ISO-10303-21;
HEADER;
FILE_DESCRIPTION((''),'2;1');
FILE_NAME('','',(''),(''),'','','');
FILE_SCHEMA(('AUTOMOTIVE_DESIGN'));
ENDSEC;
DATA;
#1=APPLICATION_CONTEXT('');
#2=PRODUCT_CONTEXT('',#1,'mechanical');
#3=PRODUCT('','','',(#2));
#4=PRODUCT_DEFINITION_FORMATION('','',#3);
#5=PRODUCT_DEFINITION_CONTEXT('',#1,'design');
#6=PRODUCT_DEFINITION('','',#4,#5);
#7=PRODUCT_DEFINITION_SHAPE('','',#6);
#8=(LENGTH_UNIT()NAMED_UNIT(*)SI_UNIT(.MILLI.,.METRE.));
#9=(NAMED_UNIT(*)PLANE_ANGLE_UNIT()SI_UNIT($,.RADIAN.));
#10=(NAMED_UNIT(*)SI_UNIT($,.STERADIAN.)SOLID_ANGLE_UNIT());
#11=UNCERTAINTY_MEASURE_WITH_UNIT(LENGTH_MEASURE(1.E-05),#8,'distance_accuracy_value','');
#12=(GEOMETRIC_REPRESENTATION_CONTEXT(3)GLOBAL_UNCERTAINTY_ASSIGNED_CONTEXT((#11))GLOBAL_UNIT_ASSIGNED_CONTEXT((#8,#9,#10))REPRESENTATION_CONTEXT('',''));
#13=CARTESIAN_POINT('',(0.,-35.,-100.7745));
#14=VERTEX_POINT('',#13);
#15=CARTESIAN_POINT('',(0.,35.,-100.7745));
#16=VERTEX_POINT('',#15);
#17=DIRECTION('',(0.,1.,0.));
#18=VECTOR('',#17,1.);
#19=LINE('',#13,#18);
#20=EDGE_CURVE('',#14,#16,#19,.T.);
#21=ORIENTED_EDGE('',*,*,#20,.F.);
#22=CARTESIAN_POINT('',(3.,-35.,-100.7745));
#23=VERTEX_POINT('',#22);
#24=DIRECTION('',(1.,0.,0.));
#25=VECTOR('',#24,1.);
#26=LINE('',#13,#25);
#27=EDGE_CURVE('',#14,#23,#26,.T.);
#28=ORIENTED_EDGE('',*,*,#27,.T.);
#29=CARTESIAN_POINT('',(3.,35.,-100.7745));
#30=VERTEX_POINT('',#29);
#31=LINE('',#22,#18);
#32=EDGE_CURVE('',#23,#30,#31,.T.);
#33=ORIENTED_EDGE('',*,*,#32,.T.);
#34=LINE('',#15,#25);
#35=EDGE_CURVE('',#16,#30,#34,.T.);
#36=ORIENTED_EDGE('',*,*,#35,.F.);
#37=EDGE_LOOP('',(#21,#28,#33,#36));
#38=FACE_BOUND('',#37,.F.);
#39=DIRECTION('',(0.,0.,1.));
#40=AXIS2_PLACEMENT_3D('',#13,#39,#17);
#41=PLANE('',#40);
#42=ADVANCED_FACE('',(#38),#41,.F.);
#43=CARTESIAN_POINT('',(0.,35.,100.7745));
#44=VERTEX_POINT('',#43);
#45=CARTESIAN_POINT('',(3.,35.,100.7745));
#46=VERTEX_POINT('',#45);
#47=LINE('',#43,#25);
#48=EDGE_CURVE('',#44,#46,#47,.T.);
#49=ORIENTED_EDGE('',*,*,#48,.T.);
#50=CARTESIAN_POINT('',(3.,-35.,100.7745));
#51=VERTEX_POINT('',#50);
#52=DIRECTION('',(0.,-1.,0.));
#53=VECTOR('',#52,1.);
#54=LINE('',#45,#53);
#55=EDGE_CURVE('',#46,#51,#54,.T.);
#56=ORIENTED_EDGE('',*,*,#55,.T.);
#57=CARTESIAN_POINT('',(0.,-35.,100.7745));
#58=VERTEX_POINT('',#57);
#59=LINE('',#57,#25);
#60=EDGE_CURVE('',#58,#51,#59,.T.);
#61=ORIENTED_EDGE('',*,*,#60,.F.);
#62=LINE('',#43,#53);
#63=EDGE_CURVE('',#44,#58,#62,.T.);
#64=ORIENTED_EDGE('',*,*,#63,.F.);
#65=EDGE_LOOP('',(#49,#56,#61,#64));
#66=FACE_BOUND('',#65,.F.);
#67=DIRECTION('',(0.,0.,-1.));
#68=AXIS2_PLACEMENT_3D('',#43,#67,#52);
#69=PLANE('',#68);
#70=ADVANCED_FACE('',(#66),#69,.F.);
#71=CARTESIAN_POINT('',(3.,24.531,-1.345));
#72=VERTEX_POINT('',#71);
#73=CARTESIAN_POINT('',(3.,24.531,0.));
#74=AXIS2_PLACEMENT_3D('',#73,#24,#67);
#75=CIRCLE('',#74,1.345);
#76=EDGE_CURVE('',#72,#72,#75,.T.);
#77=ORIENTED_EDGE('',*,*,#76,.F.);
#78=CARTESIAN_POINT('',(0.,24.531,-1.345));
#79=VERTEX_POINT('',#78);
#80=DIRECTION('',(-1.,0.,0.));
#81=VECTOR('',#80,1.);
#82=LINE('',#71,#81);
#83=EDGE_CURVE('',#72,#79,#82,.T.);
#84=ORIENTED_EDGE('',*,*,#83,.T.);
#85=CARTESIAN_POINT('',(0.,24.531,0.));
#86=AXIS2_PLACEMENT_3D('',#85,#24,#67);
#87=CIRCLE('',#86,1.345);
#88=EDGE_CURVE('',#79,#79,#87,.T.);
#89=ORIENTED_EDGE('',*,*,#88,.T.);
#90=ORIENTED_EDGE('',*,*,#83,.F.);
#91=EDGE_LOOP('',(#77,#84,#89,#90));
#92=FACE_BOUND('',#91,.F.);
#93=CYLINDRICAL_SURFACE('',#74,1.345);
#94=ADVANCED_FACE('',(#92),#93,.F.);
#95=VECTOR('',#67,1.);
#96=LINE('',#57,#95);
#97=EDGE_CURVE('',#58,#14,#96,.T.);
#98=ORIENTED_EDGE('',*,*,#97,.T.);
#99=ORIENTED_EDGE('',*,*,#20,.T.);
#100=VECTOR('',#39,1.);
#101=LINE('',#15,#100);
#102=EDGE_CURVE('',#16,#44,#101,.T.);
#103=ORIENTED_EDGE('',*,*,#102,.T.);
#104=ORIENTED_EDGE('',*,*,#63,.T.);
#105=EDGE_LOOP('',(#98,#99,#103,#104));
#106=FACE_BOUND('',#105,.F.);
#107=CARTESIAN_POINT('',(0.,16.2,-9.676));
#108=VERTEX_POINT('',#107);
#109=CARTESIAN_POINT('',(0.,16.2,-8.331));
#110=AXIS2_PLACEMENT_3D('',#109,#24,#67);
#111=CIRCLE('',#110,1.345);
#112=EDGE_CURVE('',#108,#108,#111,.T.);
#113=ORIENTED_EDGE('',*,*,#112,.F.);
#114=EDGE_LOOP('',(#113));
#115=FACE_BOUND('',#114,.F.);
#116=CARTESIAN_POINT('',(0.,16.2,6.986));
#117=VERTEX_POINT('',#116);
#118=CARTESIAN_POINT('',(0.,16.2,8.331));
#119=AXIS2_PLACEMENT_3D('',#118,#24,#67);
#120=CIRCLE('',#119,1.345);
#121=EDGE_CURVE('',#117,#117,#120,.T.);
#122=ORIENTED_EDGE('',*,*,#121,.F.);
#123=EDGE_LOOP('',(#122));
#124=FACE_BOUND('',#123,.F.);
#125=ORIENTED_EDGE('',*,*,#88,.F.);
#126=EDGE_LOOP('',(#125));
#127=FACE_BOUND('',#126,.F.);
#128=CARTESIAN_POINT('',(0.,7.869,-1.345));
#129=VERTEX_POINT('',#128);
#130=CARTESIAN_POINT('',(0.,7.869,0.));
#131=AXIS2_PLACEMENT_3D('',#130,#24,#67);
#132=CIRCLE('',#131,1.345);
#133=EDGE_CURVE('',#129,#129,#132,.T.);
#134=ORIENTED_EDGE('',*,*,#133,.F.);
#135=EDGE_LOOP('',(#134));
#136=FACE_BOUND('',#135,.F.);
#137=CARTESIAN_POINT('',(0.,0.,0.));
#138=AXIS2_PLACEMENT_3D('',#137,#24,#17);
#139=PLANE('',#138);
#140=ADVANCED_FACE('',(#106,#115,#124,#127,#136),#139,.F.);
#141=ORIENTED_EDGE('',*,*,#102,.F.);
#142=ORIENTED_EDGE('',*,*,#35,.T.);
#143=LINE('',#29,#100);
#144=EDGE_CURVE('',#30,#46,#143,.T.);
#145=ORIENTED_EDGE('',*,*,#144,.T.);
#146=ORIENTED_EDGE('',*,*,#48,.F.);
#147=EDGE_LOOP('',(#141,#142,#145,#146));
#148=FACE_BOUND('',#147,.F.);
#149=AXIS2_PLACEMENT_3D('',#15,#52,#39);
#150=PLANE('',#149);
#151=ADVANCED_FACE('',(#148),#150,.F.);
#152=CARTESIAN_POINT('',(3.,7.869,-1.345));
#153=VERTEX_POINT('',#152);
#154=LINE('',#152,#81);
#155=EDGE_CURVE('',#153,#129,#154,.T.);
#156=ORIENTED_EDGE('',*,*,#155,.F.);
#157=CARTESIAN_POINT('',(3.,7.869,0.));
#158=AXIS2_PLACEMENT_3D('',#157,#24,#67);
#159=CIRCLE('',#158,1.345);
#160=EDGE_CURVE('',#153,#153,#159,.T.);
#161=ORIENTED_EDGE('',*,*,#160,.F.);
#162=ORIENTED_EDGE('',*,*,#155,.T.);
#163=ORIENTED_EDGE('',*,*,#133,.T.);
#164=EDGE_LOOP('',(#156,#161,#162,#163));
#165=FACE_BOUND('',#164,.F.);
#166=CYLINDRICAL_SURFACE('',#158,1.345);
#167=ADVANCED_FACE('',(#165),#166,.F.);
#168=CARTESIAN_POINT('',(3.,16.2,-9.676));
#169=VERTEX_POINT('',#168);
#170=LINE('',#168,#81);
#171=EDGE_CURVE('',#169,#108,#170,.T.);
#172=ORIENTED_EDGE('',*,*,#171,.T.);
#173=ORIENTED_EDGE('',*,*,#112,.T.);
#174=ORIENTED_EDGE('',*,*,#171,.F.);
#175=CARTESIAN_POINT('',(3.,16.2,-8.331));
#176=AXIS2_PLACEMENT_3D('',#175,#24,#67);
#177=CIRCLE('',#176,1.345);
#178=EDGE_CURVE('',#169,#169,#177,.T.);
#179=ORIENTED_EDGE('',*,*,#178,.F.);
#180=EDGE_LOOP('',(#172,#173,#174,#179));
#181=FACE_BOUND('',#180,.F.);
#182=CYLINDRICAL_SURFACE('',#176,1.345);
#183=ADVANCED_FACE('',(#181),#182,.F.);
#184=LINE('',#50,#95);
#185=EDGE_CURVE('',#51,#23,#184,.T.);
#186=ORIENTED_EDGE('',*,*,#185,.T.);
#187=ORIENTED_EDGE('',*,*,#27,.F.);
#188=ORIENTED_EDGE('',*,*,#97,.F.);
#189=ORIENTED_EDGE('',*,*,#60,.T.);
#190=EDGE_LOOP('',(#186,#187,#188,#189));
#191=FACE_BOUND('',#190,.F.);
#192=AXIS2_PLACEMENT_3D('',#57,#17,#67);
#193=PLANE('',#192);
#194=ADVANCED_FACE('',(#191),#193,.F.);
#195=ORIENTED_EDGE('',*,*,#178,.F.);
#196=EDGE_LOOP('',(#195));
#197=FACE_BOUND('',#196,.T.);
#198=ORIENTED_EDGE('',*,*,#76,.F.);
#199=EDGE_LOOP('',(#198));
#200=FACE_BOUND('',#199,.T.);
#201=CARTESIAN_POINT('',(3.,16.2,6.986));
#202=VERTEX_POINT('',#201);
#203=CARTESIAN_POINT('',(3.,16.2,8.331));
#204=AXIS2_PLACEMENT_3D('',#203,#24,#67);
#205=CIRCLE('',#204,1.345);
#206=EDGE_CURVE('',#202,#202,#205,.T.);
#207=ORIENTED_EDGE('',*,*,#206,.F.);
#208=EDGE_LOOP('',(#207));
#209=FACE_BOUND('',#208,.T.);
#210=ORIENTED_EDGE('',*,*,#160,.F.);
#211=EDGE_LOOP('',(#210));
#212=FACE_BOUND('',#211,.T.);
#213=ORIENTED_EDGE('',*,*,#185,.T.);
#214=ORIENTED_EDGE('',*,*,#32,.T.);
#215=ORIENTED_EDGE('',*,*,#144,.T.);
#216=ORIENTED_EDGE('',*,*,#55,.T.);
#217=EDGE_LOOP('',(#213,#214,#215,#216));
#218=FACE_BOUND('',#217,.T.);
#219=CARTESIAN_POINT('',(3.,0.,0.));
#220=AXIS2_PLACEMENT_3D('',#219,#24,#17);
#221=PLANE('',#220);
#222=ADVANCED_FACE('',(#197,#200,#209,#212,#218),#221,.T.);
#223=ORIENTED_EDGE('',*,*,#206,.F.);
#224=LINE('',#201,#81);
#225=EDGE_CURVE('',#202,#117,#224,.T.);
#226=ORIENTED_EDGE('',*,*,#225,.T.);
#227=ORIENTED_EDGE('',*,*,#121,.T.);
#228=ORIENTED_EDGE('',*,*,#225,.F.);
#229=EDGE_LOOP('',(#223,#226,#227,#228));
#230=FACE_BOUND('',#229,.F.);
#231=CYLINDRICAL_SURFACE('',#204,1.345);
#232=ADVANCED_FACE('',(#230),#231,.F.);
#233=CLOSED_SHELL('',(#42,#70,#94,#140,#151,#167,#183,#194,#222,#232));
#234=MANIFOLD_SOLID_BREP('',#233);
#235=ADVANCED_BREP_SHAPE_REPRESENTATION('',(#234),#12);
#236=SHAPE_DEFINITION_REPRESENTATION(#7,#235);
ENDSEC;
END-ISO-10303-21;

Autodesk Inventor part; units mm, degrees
ref_plane "YZ Plane" through (0, 0, 0) normal (1, 0, 0) x (0, 1, 0)
ref_plane "XZ Plane" through (0, 0, 0) normal (0, 1, 0) x (-1, 0, 0)
ref_plane "XY Plane" through (0, 0, 0) normal (0, 0, 1) x (1, 0, 0)
sketch "Sketch1" plane through (0, 0, 0) normal (1, 0, 0) x (0, 1, 0)
  line L0 (35, 100.7745) -> (-35, 100.7745)
  line L1 (-35, 100.7745) -> (-35, -100.7745)
  line L2 (-35, -100.7745) -> (35, -100.7745)
  line L3 (35, -100.7745) -> (35, 100.7745)
  point P0 (0, 0)
  point P1 (0, 100.7745)
  point P2 (35, 0)
  dimension "d0" = 201.549
  dimension "d1" = 70
extrude "Extrusion1" add sketch "Sketch1" along normal blind 3
sketch "Sketch2" plane through (3, 0, 0) normal (1, 0, 0) x (0, 0, -1)
  circle A0 centre (0, 24.531) radius 1.345
  circle A1 centre (0, 7.869) radius 1.345
  circle A2 centre (8.331, 16.2) radius 1.345
  circle A3 centre (-8.331, 16.2) radius 1.345
  line L0 (-100.7745, 35) -> (-100.7745, -35) projected
  line L1 (-100.7745, -35) -> (100.7745, -35) projected
  line L2 (100.7745, -35) -> (100.7745, 35) projected
  line L3 (100.7745, 35) -> (-100.7745, 35) projected
  point P0 (0, 0)
  dimension "d4" = 2.69
  dimension "d10" = 10.469
  dimension "d13" = 8.331
  dimension "d14" = 8.331
  dimension "d15" = 8.331
  dimension "d16" = 8.331
  dimension "d17" = 16.662
  dimension "d18" = 16.662
extrude "Extrusion2" cut sketch "Sketch2" against normal through all contours A0 | A1 | A2 | A3
equation "\"d14\" = d13"
equation "\"d15\" = d13"
equation "\"d16\" = d13"
equation "\"d18\" = d17"
properties part number "FlatPlow"
